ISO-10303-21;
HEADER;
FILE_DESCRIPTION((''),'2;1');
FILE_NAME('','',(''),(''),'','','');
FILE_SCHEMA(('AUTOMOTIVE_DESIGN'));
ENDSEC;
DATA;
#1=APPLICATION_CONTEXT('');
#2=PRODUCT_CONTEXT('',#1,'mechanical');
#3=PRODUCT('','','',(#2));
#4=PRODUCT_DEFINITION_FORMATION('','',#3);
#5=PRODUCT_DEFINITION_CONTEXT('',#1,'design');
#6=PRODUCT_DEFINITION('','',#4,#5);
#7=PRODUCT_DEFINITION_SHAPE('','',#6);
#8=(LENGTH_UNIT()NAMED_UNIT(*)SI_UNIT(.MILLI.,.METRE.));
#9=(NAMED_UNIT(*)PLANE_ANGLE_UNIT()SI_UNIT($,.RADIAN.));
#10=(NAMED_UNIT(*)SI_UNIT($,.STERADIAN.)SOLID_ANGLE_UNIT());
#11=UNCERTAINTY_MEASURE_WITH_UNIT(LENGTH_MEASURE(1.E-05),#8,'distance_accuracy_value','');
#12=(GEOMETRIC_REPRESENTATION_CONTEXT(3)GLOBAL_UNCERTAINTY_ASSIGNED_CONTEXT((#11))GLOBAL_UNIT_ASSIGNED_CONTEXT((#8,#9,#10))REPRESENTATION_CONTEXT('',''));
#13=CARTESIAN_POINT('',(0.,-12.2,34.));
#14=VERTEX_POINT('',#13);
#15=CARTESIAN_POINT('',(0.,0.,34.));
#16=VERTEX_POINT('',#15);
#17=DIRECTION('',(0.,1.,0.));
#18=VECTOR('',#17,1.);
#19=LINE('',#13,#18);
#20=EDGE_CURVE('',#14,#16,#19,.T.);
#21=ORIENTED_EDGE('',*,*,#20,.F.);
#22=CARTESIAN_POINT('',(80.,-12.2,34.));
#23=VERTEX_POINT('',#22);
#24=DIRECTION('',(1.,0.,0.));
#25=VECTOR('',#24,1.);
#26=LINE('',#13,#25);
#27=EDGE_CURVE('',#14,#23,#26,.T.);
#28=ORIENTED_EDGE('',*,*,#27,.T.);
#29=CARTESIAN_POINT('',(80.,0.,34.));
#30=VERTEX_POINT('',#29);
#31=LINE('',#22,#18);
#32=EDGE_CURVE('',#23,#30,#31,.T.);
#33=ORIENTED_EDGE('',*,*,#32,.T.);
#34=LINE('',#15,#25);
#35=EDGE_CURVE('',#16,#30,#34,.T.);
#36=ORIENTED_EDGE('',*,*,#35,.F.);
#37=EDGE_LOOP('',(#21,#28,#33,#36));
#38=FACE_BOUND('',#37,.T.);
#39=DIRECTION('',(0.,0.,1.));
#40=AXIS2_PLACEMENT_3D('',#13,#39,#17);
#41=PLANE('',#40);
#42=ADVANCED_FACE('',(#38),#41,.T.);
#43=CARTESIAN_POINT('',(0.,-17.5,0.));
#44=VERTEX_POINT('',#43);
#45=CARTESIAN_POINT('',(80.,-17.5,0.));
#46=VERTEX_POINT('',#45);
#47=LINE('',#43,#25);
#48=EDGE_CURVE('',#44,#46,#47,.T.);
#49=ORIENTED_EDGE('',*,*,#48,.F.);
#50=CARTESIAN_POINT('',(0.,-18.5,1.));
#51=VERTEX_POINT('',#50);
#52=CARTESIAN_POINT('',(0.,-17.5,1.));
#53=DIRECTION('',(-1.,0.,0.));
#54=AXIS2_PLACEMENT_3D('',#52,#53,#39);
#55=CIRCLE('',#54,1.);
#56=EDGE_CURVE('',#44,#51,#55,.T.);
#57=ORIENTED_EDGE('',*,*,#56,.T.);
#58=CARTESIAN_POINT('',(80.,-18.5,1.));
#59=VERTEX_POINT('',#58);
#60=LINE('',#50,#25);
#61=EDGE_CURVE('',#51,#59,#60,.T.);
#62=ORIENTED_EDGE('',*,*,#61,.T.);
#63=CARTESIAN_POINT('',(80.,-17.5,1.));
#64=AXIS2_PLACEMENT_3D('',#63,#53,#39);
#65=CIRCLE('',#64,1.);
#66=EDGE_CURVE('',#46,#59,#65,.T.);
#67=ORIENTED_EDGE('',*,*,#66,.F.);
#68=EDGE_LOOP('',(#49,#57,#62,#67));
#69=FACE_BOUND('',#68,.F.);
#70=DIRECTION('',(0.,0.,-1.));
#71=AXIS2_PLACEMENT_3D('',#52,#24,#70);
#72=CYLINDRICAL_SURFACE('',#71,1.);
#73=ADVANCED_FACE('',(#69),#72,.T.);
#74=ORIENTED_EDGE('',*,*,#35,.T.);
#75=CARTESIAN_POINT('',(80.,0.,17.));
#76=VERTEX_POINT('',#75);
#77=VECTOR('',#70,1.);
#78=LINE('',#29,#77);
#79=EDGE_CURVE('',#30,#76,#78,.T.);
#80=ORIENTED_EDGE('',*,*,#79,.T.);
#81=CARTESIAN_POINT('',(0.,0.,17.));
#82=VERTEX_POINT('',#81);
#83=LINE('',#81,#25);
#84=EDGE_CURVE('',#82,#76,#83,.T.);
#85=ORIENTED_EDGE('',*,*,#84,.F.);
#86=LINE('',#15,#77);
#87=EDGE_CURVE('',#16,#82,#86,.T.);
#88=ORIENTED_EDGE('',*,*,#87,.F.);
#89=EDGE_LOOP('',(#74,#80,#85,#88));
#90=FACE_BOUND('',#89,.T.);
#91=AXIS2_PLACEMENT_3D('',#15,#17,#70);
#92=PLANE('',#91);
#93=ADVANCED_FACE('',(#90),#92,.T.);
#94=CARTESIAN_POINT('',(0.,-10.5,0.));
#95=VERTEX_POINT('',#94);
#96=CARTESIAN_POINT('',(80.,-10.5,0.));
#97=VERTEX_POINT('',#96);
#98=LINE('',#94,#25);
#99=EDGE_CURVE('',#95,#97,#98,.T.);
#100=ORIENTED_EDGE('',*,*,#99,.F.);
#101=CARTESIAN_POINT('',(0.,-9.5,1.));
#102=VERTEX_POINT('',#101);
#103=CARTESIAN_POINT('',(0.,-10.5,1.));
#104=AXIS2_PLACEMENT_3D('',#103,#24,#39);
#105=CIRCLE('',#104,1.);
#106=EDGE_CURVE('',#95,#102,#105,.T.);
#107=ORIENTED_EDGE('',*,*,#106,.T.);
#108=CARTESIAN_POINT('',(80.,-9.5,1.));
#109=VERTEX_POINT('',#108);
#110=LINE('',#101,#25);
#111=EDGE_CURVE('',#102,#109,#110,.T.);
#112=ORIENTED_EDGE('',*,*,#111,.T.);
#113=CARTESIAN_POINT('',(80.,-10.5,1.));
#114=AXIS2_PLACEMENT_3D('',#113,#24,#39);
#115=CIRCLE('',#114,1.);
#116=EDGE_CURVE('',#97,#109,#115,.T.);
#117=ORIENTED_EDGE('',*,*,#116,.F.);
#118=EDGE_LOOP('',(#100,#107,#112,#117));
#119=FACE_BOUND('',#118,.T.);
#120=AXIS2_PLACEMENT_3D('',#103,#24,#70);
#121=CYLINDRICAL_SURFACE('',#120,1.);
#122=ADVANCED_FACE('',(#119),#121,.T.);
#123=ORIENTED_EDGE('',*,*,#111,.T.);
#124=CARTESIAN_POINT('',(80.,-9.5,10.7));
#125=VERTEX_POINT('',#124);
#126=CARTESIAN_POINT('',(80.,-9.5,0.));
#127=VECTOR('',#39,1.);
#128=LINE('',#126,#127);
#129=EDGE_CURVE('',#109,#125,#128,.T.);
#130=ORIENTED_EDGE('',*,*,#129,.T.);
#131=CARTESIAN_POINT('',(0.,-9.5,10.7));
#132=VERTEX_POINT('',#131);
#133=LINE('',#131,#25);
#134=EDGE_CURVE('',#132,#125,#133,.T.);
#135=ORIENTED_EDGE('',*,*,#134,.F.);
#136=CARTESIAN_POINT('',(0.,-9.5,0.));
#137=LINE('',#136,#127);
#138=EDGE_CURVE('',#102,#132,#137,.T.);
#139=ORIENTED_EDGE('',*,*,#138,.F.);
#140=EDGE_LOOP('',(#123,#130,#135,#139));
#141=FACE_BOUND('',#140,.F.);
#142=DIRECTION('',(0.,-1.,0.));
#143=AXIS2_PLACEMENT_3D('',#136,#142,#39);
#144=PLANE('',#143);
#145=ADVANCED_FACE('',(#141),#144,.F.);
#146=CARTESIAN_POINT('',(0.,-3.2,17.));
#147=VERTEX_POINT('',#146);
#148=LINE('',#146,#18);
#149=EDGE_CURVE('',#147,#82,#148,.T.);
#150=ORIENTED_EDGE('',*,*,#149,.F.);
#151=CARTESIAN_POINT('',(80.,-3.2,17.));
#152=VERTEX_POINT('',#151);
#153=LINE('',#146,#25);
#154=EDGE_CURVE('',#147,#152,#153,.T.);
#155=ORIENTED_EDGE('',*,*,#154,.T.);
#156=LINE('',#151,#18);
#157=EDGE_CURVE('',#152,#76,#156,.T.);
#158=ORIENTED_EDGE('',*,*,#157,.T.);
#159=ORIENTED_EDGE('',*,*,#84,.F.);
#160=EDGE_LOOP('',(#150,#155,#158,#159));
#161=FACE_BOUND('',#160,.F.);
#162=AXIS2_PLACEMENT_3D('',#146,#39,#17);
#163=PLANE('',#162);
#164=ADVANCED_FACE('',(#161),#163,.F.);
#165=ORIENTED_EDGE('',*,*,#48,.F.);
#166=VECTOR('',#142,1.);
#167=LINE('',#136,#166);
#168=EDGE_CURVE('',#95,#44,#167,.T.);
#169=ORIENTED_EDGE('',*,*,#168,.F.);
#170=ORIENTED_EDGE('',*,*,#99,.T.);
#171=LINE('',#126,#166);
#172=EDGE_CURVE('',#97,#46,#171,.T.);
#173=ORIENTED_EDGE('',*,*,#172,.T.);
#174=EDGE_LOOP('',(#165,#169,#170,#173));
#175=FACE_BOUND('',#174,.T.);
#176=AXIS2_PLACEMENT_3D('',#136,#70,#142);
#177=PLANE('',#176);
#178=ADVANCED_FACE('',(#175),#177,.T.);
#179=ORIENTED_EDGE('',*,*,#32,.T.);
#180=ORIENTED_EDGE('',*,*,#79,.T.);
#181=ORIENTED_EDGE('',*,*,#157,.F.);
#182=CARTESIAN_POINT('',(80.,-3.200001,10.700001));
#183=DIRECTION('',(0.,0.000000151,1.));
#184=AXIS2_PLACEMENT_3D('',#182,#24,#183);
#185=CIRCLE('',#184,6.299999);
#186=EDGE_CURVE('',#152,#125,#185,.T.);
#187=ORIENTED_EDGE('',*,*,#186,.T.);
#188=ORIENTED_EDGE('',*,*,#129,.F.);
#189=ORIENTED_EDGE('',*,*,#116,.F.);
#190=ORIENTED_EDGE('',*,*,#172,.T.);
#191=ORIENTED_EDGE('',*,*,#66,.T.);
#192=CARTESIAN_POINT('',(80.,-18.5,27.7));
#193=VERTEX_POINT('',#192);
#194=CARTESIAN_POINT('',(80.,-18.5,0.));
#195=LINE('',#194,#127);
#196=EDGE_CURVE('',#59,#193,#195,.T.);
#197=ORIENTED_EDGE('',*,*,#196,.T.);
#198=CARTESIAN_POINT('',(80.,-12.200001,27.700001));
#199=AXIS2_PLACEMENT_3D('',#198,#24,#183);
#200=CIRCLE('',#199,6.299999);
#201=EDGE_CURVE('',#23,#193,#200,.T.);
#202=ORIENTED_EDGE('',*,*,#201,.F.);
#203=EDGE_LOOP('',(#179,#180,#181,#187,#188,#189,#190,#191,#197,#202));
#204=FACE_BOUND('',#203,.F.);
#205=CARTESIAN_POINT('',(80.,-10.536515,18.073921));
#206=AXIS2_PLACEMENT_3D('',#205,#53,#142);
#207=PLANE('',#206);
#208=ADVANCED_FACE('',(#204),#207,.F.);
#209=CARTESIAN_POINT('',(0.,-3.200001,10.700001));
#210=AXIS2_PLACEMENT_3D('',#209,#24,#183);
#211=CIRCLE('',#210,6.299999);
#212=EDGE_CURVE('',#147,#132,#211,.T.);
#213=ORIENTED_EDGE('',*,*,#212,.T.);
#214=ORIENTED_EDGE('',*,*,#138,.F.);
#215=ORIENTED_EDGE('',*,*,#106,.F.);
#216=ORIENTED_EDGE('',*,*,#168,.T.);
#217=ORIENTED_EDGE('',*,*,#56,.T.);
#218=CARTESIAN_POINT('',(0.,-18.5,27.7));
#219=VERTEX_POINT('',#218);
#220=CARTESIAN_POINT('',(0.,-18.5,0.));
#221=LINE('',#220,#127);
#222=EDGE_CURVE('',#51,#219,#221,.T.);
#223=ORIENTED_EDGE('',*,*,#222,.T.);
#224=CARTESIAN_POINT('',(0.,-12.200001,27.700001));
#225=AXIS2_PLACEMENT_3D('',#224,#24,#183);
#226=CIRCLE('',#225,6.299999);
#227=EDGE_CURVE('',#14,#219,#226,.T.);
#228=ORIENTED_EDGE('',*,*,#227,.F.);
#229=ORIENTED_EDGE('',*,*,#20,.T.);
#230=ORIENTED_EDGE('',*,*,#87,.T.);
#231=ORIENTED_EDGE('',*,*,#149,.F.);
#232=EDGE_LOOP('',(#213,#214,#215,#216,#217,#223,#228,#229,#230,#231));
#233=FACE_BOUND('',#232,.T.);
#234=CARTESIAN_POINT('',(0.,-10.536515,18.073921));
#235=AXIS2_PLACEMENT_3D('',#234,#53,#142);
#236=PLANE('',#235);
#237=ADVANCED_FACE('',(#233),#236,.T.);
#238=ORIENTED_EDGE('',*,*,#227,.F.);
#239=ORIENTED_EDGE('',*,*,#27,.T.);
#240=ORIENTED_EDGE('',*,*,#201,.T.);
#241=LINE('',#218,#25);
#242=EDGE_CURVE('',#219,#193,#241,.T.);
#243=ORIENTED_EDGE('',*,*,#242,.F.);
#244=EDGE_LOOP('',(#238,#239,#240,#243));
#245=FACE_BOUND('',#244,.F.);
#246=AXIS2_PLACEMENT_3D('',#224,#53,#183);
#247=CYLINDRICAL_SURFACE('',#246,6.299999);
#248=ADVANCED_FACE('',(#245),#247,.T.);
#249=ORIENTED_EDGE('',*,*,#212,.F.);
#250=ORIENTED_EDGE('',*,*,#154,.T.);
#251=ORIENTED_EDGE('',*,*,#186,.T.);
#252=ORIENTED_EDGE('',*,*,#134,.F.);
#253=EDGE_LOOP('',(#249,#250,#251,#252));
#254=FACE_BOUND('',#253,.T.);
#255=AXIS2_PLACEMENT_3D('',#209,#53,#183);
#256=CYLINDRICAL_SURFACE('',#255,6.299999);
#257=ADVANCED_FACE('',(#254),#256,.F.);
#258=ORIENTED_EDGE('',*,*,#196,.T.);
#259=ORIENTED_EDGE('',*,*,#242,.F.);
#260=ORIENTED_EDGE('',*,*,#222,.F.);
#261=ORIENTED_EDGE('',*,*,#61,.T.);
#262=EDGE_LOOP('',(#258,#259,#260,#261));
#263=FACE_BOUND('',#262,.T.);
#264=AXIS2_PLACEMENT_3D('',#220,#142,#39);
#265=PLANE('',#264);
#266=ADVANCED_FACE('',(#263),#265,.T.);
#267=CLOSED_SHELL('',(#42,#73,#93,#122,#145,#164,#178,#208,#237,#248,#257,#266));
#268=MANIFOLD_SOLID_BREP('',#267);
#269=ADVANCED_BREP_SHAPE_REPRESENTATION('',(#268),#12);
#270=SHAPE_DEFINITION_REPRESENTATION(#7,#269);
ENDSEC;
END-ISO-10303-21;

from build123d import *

# Parameters (mm, degrees)
PAD_DEPTH = 80
FILLET_R  = 1


with BuildPart() as part:
    # Sketch → Pad (new body)
    with BuildSketch(Plane.YZ):
        with BuildLine():
            Line((-9.5, 0), (-18.5, 0))
            Line((-18.5, 0), (-18.5, 27.7))
            ThreePointArc((-12.2, 34), (-16.654773, 32.154773), (-18.5, 27.7))
            Line((-12.2, 34), (0, 34))
            Line((0, 34), (0, 17))
            Line((-3.2, 17), (0, 17))
            ThreePointArc((-3.2, 17), (-7.654773, 15.154773), (-9.5, 10.7))
            Line((-9.5, 0), (-9.5, 10.7))
        make_face()
    extrude(amount=PAD_DEPTH)

    # Fillet
    fillet_edges = [part.edges().sort_by_distance(p)[0] for p in [
        (40, -18.5, 0),
        (40, -9.5, 0),
    ]]
    fillet(fillet_edges, radius=FILLET_R)


solid = part.part
